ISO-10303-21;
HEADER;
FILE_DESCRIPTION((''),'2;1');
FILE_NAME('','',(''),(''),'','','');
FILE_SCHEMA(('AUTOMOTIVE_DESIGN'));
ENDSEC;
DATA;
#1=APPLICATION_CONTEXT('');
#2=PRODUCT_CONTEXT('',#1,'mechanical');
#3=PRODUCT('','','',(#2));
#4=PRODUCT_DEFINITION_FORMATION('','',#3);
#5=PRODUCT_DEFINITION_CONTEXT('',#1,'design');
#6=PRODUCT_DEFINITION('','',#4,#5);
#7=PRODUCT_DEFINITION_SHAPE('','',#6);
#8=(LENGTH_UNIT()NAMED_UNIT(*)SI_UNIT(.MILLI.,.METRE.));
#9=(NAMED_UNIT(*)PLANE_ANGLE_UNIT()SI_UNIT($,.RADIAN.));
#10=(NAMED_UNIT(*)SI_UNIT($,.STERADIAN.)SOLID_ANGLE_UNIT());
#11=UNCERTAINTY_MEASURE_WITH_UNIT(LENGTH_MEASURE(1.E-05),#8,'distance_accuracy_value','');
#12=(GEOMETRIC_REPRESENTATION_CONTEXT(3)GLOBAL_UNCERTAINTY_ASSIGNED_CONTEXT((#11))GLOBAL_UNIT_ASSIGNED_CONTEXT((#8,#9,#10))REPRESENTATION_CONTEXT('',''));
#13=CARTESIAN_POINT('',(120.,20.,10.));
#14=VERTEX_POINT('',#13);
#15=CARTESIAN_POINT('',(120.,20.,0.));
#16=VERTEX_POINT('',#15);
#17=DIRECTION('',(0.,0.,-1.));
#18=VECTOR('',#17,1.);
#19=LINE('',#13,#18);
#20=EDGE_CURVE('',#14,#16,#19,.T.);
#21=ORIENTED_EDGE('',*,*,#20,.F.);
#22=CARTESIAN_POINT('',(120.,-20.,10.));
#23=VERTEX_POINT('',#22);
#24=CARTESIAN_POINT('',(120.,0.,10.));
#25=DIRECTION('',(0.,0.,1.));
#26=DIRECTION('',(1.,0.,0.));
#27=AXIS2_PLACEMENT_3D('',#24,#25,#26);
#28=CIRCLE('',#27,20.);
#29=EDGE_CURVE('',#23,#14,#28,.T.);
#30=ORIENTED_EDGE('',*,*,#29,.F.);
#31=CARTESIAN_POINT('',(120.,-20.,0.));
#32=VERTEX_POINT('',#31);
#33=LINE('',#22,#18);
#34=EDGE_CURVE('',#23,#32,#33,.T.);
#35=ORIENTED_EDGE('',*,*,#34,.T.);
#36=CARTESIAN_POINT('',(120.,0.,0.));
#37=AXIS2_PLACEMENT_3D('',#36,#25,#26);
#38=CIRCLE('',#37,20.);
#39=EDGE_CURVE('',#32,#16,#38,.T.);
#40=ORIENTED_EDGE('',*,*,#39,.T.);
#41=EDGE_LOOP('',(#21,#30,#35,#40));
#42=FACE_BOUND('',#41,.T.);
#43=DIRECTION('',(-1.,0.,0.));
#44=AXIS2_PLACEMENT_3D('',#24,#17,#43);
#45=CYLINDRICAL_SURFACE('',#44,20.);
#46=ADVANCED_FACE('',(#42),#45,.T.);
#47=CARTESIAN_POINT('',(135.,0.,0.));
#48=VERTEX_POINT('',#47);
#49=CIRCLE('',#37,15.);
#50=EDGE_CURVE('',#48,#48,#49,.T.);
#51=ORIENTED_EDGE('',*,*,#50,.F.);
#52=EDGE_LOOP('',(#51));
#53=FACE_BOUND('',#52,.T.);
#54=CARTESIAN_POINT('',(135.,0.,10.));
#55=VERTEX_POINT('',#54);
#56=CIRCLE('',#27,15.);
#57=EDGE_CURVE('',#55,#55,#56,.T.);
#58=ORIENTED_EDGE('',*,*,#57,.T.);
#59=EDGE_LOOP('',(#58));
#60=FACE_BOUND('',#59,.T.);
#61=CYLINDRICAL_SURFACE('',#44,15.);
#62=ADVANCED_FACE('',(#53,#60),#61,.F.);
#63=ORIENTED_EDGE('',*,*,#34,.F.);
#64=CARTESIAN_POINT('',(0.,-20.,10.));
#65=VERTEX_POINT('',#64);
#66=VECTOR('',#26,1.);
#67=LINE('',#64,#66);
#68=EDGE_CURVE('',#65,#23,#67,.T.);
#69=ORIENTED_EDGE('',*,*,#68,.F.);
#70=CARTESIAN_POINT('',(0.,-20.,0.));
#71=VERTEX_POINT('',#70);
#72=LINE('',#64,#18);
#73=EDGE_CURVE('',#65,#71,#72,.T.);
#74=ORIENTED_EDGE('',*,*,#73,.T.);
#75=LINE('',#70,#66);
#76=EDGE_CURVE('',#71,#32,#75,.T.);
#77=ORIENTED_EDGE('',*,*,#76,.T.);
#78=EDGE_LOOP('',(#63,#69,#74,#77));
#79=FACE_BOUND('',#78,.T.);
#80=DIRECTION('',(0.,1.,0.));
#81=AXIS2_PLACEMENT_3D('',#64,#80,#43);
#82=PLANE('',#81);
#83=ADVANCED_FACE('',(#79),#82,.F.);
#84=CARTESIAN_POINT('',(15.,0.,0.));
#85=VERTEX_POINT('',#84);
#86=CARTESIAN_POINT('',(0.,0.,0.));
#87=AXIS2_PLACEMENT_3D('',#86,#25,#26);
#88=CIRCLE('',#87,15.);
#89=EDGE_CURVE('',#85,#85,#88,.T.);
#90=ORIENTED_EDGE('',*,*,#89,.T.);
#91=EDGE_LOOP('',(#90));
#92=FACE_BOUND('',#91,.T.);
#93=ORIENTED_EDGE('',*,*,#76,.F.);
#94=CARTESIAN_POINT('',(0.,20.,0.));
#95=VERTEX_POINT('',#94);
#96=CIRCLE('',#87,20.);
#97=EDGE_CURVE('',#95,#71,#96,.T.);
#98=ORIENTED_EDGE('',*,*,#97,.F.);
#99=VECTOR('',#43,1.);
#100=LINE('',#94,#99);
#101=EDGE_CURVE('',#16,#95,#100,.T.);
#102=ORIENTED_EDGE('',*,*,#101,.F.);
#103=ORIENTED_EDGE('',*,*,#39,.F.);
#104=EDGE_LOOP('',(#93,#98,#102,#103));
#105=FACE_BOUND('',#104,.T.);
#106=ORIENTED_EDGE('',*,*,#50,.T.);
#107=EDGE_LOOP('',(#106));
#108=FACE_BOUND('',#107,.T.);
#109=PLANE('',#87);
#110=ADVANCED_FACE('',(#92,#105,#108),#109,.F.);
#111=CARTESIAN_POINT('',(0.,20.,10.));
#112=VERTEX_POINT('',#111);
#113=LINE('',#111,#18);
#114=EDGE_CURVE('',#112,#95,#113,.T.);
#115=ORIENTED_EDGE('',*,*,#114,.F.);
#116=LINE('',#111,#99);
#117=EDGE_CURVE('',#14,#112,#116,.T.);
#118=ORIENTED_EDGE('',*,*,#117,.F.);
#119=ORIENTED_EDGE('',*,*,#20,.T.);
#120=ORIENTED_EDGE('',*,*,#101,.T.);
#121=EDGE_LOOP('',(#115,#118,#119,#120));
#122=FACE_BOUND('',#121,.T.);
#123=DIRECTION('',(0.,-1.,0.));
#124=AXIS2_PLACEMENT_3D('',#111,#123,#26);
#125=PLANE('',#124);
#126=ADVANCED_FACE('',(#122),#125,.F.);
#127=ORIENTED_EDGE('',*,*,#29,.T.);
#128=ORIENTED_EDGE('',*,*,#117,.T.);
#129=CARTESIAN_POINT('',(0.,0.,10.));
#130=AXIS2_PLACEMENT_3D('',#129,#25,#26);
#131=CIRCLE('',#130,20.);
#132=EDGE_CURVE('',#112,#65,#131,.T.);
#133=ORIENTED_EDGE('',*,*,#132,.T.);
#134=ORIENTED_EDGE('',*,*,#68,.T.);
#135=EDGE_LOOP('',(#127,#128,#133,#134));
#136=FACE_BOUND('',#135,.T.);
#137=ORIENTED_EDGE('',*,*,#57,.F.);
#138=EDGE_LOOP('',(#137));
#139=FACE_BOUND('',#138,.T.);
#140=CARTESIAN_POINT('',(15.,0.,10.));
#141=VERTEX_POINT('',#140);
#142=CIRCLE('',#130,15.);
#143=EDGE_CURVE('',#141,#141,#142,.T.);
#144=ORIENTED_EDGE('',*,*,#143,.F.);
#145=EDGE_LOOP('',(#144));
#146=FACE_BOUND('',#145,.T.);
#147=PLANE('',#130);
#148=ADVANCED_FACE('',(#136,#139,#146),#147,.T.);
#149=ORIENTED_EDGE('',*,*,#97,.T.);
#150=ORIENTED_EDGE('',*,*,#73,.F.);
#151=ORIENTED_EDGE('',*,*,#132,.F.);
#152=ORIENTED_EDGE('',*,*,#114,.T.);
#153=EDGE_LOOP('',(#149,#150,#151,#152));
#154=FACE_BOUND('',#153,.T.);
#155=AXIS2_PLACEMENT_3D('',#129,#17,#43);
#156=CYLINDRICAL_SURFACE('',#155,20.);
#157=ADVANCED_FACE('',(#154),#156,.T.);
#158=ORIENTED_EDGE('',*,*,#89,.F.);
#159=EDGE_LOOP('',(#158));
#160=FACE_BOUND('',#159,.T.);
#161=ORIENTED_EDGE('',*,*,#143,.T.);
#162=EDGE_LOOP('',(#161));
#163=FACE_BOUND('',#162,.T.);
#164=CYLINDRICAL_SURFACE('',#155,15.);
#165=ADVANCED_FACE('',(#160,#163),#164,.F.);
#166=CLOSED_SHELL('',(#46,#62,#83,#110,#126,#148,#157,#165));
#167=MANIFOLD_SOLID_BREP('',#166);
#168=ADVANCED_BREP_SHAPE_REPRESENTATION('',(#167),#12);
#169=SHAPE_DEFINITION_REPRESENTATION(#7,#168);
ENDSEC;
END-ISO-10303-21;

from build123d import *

# Parameters (mm, degrees)
SKETCH_1_R      = 15
EXTRUDE_1_DEPTH = 10


with BuildPart() as part:
    # Эскиз1 → Бобышка-Вытянуть1 (new body)
    with BuildSketch(Plane.XY):
        with BuildLine():
            Line((0, 20), (120, 20))
            ThreePointArc((120, 20), (140, 0), (120, -20))
            Line((120, -20), (0, -20))
            ThreePointArc((0, -20), (-20, 0), (0, 20))
        make_face()
        Circle(SKETCH_1_R, mode=Mode.SUBTRACT)
        with Locations((120, 0)):
            Circle(SKETCH_1_R, mode=Mode.SUBTRACT)
    extrude(amount=EXTRUDE_1_DEPTH)


solid = part.part
